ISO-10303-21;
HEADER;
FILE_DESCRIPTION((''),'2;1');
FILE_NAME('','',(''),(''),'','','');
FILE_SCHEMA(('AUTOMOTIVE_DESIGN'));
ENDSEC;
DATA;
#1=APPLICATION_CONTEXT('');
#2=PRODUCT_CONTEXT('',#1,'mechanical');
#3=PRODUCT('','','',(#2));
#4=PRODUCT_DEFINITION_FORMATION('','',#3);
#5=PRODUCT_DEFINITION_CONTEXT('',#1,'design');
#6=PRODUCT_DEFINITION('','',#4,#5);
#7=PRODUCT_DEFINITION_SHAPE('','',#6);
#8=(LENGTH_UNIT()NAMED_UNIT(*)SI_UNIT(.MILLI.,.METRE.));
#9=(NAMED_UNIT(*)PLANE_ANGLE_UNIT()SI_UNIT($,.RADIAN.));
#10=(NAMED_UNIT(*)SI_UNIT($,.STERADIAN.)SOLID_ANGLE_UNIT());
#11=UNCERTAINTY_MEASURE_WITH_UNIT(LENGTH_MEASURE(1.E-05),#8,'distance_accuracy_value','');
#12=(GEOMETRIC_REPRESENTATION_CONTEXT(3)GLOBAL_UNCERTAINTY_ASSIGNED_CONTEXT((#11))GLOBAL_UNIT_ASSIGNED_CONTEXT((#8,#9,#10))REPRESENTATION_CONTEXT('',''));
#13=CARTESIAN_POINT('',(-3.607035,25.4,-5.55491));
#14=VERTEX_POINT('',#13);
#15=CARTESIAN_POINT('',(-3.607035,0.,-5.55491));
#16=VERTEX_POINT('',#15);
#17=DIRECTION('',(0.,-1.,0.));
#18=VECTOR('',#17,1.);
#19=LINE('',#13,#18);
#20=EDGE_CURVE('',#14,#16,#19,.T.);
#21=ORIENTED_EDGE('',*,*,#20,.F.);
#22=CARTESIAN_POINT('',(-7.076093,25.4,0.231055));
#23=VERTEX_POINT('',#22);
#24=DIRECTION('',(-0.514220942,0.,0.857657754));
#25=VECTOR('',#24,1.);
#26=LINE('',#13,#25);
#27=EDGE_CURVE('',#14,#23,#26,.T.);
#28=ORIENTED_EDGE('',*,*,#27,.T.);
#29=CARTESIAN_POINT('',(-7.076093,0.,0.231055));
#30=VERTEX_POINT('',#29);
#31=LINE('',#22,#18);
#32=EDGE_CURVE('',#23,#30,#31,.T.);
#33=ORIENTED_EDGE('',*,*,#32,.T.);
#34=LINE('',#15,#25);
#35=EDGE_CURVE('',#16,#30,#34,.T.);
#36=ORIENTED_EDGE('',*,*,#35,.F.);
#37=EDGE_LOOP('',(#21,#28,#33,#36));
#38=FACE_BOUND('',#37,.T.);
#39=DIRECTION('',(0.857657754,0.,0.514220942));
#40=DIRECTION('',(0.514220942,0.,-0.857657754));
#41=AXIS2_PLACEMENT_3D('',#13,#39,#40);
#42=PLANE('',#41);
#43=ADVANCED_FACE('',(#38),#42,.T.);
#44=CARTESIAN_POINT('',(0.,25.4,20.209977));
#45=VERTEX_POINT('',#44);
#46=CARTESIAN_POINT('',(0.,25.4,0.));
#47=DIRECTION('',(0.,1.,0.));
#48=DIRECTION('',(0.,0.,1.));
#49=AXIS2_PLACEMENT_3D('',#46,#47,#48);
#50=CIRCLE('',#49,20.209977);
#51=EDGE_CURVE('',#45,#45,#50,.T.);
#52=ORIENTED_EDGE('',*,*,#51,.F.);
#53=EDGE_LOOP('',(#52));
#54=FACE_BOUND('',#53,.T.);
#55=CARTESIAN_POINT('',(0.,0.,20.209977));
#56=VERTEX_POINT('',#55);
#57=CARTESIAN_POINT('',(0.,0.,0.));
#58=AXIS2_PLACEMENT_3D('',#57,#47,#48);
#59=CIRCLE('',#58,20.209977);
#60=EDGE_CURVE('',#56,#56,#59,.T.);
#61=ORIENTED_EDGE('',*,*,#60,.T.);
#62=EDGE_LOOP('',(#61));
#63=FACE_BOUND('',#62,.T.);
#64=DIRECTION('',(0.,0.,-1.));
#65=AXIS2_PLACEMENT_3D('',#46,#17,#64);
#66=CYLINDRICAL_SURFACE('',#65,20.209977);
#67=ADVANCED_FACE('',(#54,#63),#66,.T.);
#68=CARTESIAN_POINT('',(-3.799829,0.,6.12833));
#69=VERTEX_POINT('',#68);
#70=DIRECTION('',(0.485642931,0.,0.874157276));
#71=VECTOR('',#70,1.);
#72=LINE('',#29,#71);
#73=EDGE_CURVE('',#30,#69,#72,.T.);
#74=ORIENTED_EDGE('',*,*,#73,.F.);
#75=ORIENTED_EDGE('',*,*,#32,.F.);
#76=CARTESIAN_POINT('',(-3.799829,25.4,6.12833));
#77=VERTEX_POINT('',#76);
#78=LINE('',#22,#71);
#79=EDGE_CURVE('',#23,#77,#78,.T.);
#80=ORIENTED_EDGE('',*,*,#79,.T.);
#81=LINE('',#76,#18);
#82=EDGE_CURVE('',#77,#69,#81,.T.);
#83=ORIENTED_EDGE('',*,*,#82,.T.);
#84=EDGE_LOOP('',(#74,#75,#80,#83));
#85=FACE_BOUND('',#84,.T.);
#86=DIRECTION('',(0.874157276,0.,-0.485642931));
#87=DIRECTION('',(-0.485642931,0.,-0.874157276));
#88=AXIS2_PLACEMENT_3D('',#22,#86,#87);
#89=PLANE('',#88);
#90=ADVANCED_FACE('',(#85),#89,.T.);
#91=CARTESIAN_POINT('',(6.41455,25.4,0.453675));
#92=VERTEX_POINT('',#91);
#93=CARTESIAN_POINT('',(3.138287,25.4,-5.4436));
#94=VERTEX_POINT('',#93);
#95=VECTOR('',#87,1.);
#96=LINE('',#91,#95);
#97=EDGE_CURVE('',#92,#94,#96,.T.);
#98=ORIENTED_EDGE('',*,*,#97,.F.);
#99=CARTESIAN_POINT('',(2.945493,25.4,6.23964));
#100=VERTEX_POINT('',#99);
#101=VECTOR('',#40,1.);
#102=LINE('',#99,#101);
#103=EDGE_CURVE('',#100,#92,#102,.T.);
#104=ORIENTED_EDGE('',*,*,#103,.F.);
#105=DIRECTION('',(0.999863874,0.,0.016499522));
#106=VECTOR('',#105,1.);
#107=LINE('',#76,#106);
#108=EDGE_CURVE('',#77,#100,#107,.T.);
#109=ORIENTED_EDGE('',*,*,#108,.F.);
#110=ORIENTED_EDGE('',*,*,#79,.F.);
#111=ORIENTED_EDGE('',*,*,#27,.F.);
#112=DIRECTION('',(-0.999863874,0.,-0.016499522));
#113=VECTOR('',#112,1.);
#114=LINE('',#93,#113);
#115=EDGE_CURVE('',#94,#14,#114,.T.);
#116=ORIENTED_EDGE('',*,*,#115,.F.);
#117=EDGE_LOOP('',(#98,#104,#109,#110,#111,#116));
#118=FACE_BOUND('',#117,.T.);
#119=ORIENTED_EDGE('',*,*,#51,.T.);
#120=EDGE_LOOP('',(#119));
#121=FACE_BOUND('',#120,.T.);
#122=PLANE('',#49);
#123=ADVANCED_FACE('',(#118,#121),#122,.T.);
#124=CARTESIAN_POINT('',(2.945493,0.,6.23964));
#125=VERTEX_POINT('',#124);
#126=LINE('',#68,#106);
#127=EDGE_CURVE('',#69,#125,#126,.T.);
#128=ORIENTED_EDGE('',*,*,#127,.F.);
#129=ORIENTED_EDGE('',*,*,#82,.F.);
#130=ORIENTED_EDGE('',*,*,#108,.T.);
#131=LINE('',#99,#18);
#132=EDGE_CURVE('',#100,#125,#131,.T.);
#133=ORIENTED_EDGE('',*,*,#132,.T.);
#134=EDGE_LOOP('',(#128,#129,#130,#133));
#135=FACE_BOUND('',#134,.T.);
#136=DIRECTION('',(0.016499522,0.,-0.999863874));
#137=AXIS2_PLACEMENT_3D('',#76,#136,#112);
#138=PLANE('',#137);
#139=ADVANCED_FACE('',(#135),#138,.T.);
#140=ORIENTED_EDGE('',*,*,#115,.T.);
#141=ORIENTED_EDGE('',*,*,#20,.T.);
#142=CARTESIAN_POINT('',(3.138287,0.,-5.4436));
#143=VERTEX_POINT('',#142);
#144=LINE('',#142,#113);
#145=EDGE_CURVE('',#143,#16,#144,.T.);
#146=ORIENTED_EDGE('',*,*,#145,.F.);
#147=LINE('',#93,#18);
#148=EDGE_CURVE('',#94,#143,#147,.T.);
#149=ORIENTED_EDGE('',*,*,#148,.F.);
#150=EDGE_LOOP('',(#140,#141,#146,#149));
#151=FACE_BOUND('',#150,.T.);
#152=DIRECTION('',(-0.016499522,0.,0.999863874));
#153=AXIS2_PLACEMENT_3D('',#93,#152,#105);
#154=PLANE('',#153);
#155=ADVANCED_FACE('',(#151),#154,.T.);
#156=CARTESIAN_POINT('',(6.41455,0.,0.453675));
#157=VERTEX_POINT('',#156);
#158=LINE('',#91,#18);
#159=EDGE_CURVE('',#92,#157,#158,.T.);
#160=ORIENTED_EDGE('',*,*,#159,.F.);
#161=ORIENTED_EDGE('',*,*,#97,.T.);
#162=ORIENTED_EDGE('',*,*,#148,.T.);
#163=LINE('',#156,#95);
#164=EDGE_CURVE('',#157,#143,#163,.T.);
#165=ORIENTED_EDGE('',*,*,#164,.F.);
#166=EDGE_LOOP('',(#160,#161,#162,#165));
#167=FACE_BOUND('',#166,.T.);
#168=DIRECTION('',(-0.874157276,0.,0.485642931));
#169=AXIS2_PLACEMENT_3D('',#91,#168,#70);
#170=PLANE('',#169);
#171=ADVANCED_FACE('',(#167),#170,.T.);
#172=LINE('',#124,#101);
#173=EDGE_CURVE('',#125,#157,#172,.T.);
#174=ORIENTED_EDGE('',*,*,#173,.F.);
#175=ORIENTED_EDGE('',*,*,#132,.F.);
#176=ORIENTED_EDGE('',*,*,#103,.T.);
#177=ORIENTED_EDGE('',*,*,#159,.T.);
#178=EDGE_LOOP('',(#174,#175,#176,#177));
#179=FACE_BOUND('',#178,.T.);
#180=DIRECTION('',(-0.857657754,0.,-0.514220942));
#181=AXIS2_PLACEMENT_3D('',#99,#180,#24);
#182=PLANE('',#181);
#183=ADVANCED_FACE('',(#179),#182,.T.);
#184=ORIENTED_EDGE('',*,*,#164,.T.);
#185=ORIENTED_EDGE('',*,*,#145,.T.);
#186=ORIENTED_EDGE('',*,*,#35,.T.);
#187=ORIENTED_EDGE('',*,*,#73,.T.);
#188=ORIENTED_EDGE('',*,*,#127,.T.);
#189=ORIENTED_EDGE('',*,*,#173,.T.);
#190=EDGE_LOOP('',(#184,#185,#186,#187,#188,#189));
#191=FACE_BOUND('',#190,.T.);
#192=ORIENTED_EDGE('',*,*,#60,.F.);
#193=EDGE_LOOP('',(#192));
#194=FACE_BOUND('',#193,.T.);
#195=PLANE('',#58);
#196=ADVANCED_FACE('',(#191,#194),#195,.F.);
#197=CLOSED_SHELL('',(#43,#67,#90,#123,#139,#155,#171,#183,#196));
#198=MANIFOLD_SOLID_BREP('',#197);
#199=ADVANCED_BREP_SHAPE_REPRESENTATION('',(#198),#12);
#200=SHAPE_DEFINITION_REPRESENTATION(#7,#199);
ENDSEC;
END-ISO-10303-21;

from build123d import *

# Parameters (mm, degrees)
SKETCH1_R           = 20.209977283
BOSS_EXTRUDE1_DEPTH = 25.4


with BuildPart() as part:
    # Sketch1 → Boss-Extrude1 (new body)
    with BuildSketch(Plane(origin=(0, 0, 0), x_dir=(1, 0, 0), z_dir=(0, 1, 0))):
        Circle(SKETCH1_R)
        Polygon((2.945492592, -6.239639902), (6.414550483, -0.453674858), (3.138286715, 5.443599925), (-3.607034944, 5.554909663), (-7.076092835, -0.231055381), (-3.799829067, -6.128330163), align=None, mode=Mode.SUBTRACT)
    extrude(amount=BOSS_EXTRUDE1_DEPTH)


solid = part.part
